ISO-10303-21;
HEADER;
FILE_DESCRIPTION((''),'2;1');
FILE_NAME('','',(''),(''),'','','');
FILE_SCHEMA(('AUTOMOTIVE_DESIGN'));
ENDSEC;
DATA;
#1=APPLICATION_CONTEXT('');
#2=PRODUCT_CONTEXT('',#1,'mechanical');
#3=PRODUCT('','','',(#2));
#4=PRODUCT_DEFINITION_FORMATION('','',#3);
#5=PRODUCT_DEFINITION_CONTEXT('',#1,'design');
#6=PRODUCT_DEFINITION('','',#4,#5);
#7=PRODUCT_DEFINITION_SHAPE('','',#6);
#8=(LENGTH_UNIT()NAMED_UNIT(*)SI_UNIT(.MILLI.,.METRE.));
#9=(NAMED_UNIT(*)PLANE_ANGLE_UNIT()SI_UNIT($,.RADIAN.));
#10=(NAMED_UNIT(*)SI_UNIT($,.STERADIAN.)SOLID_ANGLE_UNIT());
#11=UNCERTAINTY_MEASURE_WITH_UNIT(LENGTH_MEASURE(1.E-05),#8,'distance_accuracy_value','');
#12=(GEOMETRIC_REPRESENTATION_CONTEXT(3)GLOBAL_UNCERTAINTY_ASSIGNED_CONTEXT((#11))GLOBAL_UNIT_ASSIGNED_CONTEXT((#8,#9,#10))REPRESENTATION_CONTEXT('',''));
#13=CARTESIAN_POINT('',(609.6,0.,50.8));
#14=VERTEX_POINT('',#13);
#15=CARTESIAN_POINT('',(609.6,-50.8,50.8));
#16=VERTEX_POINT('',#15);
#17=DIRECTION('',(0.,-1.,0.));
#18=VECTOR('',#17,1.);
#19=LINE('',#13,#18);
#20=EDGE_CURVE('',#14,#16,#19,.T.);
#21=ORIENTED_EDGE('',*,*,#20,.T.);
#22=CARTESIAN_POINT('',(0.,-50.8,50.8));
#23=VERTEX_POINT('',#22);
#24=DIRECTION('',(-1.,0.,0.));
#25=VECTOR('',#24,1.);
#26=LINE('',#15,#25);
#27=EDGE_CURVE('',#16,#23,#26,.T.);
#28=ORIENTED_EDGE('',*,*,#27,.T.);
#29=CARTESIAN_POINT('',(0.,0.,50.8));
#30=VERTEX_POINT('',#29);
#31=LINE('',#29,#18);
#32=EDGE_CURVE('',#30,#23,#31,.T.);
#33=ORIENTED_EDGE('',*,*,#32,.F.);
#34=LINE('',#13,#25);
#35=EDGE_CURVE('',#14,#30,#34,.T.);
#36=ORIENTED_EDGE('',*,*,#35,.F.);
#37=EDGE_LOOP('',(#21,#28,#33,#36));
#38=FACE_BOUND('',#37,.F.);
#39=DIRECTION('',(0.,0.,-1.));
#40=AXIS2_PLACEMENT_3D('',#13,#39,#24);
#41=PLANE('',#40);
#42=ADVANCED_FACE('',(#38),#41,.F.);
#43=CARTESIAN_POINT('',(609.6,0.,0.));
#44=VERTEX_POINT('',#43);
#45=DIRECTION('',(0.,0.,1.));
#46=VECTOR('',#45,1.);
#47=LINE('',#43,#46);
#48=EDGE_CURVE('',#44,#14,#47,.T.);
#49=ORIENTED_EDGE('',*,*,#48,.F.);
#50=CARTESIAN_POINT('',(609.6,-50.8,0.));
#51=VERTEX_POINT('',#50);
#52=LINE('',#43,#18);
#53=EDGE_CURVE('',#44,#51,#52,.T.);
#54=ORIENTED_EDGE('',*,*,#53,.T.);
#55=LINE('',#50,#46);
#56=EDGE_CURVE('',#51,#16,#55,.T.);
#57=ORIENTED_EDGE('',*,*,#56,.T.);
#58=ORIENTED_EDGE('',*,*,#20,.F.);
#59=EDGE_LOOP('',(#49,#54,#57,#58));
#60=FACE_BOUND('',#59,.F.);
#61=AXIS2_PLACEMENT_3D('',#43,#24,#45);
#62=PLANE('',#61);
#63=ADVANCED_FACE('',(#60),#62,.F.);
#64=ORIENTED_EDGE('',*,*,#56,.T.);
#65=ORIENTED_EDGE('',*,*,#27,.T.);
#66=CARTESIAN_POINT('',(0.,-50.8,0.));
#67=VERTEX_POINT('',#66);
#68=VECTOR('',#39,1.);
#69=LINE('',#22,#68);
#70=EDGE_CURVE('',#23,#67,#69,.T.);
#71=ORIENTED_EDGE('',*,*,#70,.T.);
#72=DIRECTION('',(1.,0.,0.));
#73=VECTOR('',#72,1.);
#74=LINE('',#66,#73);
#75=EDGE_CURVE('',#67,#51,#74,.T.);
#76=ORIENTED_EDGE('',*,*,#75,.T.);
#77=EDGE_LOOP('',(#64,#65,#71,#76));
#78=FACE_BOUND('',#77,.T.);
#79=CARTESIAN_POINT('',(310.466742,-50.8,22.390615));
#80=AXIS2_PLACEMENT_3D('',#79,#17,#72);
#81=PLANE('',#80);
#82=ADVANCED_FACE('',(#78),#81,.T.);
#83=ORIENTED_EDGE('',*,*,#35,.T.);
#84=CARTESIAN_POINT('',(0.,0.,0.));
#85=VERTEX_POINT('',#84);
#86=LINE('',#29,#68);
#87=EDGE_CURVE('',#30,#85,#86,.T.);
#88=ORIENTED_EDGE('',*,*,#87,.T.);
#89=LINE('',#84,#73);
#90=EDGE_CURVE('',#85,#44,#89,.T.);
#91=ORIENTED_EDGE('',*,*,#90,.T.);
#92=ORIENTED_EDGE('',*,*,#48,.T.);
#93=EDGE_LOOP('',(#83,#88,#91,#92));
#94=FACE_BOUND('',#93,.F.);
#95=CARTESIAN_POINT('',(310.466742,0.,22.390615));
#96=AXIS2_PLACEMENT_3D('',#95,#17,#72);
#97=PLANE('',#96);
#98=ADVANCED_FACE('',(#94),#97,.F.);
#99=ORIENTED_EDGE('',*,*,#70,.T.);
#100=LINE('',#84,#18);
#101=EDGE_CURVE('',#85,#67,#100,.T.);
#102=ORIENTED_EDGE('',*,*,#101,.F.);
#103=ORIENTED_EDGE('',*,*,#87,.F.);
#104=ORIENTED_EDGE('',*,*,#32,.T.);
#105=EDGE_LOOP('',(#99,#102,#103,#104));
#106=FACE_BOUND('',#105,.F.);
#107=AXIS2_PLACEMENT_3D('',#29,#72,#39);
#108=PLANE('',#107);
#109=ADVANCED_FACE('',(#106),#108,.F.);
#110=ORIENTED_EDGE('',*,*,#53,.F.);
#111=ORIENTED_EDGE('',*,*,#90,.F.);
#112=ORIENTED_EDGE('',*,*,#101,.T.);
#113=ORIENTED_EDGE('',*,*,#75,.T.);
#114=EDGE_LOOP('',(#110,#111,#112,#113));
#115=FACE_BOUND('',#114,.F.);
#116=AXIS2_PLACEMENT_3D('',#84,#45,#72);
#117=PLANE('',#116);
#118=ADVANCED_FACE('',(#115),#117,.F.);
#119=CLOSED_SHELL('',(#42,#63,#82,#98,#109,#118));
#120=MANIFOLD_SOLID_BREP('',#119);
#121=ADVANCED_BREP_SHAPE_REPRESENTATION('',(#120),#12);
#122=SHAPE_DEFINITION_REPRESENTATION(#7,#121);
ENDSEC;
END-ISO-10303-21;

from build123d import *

# Parameters (mm, degrees)
F1_DEPTH = 50.8


with BuildPart() as f1:
    # F0 (on Front) → F1 (new body)
    with BuildSketch(Plane.XZ):
        with BuildLine():
            Line((0, 25.4), (0, 0))
            Line((0, 0), (609.6, 0))
            Line((609.6, 0), (609.6, 50.8))
            Line((609.6, 50.8), (198.844787, 50.8))
            add(Edge.make_bspline(
                [(0, 25.4), (3.924521, 24.755946), (86.45491, 24.025598), (154.724142, 36.907095), (198.844787, 50.8)],
                knots=[0, 0, 0, 0, 48.661616, 175.232895, 175.232895, 175.232895, 175.232895], degree=3))
        make_face()
        with BuildLine():
            Line((0, 50.8), (0, 25.4))
            add(Edge.make_bspline(
                [(0, 25.4), (3.924521, 24.755946), (86.45491, 24.025598), (154.724142, 36.907095), (198.844787, 50.8)],
                knots=[0, 0, 0, 0, 48.661616, 175.232895, 175.232895, 175.232895, 175.232895], degree=3))
            Line((198.844787, 50.8), (0, 50.8))
        make_face()
    extrude(amount=F1_DEPTH)


solid = f1.part
